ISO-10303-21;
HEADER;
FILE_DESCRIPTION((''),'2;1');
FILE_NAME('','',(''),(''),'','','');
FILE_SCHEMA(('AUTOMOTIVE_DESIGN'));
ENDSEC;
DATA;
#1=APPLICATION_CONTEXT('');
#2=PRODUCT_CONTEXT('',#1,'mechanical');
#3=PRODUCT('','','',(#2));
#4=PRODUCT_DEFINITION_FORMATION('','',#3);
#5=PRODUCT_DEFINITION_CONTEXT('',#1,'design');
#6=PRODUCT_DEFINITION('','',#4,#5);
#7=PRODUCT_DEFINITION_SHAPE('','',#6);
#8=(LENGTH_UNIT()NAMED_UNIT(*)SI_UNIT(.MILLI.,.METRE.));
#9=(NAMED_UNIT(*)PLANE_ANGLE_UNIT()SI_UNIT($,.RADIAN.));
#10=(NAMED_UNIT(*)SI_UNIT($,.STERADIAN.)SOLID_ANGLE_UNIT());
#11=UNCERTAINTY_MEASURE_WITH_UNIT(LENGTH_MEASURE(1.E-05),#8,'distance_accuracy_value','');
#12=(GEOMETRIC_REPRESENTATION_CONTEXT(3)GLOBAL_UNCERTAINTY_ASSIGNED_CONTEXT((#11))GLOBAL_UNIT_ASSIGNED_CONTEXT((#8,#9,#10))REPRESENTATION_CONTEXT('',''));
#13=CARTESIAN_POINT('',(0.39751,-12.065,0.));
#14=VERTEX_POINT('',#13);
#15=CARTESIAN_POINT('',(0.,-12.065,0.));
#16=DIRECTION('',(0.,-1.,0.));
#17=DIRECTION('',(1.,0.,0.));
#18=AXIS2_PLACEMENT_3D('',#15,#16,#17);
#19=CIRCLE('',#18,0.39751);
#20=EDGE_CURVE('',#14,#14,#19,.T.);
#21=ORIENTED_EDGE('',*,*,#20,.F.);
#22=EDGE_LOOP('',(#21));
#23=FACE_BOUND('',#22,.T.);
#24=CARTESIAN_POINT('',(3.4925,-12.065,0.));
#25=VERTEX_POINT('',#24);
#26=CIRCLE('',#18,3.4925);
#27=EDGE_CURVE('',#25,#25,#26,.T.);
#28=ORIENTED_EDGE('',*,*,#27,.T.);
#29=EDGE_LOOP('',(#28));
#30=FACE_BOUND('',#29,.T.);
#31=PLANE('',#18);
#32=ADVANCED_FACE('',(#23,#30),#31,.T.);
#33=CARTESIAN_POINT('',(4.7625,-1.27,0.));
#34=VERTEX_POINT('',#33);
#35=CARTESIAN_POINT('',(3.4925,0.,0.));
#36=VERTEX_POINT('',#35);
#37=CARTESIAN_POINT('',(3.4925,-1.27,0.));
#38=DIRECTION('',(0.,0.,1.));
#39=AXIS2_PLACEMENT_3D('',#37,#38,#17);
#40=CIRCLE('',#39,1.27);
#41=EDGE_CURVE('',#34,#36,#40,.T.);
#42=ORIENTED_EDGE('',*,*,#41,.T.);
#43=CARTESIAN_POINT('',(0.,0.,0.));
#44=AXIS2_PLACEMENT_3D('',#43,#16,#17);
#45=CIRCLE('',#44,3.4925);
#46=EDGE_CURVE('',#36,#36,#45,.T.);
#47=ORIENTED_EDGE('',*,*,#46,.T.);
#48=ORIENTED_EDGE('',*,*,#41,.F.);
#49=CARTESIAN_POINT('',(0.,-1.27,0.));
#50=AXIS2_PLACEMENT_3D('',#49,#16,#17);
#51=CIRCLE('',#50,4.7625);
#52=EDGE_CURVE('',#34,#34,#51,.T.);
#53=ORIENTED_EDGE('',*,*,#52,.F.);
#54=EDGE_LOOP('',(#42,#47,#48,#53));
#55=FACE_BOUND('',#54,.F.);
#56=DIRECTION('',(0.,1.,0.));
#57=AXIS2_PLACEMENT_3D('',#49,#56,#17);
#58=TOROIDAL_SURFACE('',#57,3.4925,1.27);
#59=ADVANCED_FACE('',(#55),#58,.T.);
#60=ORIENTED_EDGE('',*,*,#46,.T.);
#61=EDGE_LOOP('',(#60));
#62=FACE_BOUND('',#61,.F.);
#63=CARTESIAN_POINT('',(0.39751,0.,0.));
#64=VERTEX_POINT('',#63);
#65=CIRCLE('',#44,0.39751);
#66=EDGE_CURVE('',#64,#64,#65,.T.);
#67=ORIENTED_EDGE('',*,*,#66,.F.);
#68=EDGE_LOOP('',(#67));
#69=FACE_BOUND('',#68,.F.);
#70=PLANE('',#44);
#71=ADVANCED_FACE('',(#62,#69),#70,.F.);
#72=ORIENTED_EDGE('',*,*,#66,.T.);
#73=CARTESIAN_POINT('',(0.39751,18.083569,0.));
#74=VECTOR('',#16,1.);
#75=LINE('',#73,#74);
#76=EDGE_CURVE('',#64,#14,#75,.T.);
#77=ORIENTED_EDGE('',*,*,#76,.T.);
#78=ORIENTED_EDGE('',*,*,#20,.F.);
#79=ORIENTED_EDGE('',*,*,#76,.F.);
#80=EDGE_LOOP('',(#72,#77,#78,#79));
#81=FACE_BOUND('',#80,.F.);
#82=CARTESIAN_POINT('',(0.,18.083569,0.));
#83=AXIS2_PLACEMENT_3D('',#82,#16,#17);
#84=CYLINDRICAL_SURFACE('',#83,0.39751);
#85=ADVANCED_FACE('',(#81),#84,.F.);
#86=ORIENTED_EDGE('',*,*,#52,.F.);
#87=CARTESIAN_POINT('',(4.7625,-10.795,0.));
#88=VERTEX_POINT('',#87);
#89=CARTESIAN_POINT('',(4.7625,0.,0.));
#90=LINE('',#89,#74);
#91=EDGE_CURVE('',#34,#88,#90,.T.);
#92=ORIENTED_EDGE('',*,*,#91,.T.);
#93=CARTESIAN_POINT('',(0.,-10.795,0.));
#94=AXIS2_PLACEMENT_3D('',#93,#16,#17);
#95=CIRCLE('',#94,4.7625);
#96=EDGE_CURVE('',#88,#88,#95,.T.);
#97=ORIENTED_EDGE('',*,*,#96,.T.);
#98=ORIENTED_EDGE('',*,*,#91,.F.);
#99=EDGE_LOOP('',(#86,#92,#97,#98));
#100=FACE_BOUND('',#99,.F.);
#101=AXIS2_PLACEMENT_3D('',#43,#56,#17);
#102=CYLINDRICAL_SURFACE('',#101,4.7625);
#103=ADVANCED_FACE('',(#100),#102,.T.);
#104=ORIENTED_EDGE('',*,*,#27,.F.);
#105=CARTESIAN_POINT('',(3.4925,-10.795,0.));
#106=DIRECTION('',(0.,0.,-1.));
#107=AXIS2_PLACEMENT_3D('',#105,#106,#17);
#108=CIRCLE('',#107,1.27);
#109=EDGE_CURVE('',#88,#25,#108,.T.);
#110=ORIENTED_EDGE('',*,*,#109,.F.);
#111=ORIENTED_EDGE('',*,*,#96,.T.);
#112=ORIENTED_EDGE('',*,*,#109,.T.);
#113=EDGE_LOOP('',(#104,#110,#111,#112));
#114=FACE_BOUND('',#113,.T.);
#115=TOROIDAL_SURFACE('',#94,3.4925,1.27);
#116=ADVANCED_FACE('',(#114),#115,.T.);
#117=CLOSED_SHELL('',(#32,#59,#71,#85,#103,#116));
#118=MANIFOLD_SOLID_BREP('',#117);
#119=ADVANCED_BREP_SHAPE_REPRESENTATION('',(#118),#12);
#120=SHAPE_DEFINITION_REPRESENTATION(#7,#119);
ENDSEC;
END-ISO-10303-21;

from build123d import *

# Parameters (mm, degrees)
F0_R     = 4.7625
F1_DEPTH = 12.065
F2_R     = 1.27
F4_D     = 0.79502


with BuildPart() as f1:
    # F0 (on Front) → F1 (new body)
    with BuildSketch(Plane.XZ):
        Circle(F0_R)
    extrude(amount=F1_DEPTH)

    # F2
    f2_edges = [f1.edges().sort_by_distance(p)[0] for p in [
        (-4.7625, -12.065, 0),
        (-4.7625, 0, 0),
    ]]
    fillet(f2_edges, radius=F2_R)

    # F4 (through all)
    with Locations(Plane(origin=(0, 0, 0), x_dir=(-1, 0, 0), z_dir=(0, 1, 0))):
        with Locations((0, 0)):
            Hole(F4_D / 2)


solid = f1.part
